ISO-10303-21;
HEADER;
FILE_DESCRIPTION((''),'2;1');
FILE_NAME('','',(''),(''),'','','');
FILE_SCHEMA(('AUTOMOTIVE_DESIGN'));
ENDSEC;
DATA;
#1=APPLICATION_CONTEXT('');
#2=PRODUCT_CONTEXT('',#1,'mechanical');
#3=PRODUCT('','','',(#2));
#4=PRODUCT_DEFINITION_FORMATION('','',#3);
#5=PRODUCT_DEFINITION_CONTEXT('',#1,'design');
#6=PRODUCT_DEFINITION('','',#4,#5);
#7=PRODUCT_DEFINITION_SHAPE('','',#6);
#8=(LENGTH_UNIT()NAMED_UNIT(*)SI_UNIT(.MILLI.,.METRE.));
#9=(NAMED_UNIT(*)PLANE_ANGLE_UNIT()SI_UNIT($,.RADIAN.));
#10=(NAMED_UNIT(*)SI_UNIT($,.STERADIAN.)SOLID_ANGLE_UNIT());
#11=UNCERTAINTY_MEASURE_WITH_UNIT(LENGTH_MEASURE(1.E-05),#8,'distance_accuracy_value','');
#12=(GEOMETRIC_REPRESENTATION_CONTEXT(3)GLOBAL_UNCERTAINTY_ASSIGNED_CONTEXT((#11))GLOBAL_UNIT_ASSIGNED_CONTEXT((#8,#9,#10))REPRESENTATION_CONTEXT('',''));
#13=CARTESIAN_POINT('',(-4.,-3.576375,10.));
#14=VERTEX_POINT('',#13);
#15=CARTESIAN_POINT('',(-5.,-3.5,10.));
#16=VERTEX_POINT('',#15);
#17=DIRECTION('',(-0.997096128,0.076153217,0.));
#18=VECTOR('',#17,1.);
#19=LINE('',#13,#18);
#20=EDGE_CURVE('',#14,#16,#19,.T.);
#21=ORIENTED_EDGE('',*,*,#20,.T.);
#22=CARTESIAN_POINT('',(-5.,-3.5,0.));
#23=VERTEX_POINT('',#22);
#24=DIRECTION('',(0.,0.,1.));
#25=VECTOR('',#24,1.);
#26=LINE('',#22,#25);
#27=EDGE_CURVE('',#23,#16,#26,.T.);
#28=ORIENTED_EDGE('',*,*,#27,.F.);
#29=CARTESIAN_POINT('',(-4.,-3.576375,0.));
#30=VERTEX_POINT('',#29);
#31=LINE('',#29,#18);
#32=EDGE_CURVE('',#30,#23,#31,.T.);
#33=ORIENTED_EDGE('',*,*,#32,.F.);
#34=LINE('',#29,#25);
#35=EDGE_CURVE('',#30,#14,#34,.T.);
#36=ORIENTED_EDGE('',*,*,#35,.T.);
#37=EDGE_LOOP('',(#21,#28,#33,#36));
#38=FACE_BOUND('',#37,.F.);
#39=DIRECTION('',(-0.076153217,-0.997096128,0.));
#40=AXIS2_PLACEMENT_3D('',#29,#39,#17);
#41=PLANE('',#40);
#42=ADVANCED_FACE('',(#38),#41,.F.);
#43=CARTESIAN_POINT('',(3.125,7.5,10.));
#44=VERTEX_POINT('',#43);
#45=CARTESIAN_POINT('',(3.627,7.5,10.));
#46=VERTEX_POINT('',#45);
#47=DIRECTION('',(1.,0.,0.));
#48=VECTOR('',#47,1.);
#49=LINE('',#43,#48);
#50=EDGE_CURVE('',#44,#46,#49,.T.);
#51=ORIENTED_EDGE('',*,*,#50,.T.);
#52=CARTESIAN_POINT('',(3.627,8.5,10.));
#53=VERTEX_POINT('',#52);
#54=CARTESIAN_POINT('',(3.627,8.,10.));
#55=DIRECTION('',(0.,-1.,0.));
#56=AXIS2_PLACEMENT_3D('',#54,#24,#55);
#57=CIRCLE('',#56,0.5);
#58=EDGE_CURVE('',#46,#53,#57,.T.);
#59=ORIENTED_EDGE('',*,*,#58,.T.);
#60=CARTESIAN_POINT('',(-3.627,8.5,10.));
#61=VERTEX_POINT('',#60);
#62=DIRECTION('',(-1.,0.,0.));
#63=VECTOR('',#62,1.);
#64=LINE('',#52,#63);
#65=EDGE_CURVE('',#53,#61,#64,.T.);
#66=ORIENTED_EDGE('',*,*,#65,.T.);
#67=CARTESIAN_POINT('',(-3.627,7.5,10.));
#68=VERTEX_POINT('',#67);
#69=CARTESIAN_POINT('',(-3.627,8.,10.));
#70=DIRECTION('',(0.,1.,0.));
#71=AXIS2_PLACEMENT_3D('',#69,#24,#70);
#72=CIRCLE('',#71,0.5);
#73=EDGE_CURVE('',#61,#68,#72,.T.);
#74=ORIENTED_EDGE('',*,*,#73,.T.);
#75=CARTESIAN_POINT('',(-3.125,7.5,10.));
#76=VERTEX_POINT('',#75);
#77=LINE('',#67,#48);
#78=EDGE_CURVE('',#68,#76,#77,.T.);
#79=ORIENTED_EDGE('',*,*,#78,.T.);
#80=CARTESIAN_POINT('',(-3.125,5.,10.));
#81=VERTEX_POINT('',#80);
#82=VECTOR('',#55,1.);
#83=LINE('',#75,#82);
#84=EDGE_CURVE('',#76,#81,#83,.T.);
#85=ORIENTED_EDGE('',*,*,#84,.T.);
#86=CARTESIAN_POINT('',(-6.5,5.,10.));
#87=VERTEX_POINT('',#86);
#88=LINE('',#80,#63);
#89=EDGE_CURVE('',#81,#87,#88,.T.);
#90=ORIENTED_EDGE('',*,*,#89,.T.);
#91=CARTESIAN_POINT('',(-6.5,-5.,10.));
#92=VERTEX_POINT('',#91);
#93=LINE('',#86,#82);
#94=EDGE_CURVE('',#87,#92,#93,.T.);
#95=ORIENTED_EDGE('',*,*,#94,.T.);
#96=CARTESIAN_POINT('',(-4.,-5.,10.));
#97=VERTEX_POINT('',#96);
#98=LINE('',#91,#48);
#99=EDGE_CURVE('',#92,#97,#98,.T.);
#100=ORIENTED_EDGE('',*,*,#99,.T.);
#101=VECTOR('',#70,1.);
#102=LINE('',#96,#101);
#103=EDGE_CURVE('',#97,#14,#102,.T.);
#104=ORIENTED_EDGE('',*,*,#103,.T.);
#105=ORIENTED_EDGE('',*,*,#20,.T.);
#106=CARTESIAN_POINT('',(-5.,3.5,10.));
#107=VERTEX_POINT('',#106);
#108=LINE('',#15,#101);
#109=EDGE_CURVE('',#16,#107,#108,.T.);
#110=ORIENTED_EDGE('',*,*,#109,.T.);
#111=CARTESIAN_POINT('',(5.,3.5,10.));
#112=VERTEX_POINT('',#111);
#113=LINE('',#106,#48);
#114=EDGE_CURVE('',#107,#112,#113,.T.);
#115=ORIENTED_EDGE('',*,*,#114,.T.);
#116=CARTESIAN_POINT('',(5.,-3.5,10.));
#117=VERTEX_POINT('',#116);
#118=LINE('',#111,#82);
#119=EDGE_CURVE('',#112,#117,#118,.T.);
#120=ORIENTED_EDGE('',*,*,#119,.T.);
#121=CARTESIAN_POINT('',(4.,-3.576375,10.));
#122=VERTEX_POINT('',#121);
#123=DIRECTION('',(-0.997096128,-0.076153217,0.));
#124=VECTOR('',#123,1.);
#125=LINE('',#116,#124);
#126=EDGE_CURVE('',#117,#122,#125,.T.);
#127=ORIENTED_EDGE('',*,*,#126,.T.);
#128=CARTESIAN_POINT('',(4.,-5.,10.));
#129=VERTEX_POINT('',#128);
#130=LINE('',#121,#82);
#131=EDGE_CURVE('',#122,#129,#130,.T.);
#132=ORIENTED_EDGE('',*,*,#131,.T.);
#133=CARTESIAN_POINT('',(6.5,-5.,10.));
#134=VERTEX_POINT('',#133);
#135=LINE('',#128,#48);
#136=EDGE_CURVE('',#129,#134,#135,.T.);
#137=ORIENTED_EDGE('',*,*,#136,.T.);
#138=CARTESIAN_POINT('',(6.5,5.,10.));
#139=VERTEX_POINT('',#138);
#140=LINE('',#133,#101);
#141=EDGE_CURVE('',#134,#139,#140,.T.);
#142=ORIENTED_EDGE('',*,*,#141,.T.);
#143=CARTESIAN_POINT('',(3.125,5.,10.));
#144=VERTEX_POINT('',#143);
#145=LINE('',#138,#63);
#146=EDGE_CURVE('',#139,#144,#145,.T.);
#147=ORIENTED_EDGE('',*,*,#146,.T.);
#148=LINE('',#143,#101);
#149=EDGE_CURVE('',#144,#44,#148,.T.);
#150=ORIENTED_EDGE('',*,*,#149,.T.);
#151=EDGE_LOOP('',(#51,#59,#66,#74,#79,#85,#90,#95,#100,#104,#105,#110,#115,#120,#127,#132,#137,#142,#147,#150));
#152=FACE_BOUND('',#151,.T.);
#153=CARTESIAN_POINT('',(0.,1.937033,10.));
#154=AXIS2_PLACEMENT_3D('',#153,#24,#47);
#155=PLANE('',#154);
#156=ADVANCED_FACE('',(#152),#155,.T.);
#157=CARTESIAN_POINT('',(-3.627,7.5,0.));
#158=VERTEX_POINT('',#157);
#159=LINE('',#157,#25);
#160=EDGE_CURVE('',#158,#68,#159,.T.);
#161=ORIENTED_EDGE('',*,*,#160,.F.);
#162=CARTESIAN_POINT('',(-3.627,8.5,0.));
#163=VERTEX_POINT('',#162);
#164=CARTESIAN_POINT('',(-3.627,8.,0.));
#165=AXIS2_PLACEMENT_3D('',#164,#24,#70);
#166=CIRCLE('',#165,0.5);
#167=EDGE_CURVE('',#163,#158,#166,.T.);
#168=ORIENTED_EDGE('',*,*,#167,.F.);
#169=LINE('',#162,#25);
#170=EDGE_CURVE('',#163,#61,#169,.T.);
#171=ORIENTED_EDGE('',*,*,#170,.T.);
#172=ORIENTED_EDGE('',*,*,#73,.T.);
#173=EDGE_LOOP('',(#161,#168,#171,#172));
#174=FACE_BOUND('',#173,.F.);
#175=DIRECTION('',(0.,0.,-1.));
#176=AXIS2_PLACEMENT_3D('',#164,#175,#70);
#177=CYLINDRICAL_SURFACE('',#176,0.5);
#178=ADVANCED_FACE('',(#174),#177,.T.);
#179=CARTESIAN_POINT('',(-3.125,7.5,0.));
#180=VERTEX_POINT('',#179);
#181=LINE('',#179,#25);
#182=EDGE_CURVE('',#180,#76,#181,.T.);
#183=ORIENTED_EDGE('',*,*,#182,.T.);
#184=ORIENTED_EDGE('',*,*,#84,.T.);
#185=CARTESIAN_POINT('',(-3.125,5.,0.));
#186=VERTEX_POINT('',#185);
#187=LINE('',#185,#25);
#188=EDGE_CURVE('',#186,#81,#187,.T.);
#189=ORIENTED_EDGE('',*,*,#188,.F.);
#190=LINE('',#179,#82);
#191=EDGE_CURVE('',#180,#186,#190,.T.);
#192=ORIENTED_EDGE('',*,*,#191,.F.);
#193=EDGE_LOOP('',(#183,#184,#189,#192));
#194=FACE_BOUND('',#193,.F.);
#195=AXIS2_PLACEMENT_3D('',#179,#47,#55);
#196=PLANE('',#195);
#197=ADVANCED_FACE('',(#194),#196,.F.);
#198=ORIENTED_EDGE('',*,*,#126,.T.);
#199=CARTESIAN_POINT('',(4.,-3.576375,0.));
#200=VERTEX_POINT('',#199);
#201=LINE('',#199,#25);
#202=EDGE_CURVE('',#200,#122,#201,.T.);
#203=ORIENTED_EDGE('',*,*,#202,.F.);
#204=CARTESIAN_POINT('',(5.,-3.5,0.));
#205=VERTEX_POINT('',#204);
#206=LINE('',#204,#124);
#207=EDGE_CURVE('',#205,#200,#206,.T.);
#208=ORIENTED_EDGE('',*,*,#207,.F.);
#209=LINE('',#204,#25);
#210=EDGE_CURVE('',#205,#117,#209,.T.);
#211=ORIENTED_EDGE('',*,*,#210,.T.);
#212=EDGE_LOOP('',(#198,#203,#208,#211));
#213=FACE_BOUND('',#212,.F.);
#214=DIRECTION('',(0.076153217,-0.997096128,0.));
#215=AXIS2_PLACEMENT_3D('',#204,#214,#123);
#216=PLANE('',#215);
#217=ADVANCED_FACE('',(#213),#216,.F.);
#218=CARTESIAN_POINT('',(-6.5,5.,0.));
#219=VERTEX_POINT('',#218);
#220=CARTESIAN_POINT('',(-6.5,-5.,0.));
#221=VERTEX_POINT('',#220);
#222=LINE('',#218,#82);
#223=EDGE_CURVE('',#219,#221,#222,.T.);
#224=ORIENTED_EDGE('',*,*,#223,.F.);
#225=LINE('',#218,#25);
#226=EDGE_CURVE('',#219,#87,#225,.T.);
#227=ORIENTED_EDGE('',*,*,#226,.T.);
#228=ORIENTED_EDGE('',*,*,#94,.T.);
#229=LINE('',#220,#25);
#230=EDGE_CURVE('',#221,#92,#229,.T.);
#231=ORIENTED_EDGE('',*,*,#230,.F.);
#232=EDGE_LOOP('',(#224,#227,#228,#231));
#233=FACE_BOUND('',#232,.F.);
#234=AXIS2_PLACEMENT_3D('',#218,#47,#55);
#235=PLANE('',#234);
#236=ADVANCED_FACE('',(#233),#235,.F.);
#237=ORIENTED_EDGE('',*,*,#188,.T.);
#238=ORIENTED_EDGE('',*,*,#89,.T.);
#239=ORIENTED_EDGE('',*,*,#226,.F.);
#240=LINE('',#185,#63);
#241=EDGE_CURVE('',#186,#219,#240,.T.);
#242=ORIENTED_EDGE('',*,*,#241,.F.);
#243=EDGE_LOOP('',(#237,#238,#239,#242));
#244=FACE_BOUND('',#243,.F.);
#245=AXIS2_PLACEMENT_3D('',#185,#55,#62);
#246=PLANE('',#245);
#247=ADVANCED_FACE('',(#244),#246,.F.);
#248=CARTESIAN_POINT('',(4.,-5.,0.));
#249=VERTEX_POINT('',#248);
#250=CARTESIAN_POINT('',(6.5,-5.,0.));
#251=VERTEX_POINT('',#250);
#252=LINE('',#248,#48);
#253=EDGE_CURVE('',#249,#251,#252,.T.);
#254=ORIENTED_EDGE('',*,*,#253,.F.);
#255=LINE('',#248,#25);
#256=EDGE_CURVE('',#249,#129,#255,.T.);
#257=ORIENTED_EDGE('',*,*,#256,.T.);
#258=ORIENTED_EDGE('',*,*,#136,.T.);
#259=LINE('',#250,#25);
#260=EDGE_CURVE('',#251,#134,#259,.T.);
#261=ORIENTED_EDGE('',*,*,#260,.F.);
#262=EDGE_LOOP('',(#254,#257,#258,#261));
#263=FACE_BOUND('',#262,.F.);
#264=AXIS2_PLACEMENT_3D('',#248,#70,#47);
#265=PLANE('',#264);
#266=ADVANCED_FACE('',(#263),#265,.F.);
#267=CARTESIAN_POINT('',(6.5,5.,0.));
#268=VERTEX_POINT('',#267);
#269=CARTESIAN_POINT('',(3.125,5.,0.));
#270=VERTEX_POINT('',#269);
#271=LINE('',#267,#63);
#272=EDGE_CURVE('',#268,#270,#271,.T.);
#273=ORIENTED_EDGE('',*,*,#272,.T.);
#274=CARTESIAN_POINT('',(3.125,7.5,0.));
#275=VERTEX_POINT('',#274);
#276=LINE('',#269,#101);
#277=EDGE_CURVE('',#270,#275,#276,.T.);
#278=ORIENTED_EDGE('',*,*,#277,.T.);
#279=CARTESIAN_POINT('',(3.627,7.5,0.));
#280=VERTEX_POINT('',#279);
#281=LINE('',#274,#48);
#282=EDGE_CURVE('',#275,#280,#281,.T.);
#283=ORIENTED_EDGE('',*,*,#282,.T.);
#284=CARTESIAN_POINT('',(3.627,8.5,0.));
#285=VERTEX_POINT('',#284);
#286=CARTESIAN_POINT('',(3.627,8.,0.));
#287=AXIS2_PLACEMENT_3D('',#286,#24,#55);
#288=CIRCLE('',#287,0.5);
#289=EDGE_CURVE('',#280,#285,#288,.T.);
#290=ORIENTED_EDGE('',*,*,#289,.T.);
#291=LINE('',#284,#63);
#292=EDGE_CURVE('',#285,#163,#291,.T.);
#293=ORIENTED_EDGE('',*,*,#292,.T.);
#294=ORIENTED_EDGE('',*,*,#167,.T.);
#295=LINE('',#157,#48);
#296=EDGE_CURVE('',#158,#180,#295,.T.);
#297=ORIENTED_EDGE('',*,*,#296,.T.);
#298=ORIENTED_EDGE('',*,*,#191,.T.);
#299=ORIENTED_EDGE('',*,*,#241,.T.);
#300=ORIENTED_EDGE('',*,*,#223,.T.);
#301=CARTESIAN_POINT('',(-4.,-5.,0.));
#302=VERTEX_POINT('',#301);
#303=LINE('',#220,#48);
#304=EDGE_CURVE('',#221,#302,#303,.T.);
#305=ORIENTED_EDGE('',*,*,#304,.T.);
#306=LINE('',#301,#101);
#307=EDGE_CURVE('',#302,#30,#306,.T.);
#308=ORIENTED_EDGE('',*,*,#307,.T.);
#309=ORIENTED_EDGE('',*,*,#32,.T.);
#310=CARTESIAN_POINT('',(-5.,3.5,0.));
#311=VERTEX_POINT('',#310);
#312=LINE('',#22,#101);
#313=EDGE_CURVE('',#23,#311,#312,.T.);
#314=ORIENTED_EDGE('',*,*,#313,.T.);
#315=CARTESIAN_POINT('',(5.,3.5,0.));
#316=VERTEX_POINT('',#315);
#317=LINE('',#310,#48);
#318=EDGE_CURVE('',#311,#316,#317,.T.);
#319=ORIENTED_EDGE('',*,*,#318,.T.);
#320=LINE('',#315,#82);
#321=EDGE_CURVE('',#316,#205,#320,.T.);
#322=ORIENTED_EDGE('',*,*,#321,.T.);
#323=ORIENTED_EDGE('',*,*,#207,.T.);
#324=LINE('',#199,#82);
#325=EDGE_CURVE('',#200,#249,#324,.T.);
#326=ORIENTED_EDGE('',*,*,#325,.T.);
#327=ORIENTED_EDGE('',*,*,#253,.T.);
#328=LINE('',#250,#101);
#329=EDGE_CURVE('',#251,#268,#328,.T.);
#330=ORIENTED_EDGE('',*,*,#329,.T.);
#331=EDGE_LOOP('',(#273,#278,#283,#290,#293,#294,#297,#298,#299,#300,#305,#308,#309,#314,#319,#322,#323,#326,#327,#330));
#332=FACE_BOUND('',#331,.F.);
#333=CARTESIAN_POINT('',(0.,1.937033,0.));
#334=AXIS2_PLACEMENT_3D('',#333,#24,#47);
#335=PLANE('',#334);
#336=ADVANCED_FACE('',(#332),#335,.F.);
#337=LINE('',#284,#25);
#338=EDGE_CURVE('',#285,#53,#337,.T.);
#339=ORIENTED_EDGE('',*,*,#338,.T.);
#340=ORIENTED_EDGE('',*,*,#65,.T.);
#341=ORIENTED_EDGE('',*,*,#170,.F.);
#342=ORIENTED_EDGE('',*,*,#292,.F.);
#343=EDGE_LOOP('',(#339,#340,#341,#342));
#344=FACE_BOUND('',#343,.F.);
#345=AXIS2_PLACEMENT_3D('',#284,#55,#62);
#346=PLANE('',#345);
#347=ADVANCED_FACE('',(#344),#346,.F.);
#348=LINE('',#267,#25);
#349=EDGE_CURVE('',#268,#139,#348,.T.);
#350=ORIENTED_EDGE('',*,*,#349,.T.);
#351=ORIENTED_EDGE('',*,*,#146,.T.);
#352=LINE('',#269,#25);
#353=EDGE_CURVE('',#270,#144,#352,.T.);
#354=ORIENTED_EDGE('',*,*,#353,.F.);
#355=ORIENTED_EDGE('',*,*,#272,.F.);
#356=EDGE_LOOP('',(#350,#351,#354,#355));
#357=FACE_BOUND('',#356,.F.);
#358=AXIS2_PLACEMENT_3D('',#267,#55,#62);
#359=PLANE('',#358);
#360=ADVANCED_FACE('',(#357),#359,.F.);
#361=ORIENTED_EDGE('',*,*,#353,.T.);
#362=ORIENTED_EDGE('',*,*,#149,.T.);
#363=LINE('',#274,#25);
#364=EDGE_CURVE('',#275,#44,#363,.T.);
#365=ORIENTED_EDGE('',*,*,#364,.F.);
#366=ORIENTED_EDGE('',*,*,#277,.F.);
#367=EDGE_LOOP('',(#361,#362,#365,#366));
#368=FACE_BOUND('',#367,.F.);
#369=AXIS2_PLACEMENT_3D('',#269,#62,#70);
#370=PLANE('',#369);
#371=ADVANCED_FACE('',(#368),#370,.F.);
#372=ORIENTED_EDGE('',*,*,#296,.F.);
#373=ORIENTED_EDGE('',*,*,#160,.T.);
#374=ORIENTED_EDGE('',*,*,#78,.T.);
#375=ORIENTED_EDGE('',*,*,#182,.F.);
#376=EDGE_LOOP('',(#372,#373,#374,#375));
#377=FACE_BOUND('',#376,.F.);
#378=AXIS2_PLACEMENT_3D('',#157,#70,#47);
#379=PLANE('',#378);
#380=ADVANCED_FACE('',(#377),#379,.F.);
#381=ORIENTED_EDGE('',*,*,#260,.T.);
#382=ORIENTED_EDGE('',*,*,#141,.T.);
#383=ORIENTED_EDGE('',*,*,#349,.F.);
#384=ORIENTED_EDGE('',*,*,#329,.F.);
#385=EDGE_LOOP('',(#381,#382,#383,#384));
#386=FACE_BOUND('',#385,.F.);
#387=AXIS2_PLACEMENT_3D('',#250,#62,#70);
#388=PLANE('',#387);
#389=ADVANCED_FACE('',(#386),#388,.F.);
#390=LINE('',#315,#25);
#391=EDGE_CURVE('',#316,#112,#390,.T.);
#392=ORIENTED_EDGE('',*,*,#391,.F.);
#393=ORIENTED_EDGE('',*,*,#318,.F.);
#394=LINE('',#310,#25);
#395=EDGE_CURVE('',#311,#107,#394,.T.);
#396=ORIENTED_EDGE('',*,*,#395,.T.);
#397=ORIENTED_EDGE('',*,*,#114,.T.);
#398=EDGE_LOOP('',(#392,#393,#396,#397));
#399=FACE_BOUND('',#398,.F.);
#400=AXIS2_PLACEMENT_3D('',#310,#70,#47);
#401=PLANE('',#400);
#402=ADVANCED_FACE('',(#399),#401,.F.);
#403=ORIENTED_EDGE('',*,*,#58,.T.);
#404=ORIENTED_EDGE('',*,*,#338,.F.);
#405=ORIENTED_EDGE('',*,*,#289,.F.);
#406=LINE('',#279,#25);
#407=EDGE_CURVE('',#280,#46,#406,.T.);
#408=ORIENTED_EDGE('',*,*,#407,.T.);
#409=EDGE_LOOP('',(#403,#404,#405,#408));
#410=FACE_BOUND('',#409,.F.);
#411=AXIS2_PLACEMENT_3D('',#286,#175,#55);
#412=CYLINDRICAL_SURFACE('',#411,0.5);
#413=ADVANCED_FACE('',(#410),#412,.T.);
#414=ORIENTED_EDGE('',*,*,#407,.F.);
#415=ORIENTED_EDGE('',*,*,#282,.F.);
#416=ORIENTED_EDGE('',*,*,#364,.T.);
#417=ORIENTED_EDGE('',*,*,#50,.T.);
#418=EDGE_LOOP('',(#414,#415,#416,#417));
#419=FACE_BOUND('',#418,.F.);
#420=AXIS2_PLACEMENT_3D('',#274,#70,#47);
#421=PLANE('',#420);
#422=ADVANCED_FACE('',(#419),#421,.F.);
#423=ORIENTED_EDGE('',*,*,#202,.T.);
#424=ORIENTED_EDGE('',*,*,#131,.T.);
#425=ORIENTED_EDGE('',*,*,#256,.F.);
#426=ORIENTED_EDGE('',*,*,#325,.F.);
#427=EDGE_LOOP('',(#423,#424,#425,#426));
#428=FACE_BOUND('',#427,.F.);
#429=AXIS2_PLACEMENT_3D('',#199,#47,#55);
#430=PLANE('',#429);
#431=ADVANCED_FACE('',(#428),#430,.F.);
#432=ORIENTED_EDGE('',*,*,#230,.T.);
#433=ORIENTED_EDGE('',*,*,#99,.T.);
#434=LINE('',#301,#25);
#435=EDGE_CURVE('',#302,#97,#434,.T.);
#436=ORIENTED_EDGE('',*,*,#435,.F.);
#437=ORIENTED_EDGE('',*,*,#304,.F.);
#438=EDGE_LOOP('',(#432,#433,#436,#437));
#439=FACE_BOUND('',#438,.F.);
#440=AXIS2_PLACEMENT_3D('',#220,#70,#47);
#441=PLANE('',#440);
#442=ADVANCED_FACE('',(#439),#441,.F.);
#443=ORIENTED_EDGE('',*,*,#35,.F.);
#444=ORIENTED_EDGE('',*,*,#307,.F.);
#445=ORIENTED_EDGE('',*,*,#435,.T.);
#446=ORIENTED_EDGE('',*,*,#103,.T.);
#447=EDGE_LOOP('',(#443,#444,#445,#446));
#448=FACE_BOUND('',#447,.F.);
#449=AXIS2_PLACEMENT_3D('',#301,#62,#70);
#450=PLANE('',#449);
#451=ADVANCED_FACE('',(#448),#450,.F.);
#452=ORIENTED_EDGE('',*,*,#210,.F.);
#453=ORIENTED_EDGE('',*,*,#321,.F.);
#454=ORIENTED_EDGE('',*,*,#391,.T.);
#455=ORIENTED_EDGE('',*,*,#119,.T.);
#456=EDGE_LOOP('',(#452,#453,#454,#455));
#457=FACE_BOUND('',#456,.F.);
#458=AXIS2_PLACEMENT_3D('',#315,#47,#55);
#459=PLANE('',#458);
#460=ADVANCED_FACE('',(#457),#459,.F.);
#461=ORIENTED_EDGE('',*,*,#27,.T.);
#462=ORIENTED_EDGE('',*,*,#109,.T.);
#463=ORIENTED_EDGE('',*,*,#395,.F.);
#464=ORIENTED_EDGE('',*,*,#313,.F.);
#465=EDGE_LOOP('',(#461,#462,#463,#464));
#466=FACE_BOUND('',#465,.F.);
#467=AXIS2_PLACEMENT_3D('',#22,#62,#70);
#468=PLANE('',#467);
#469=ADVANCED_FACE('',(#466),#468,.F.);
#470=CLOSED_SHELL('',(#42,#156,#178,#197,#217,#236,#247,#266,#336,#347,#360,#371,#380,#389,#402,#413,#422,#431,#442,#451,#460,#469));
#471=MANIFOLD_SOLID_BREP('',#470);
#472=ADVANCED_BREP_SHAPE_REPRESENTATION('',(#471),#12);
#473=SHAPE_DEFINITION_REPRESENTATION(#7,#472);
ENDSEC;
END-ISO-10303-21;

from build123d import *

# Parameters (mm, degrees)
F1_DEPTH = 10


with BuildPart() as f1:
    # F0 (on Top) → F1 (new body)
    with BuildSketch(Plane.XY):
        with BuildLine():
            Line((-6.5, -5), (-4, -5))
            Line((-4, -5), (-4, -3.576375))
            Line((-4, -3.576375), (-5, -3.5))
            Line((-5, -3.5), (-5, 3.5))
            Line((-5, 3.5), (5, 3.5))
            Line((5, 3.5), (5, -3.5))
            Line((5, -3.5), (4, -3.576375))
            Line((4, -3.576375), (4, -5))
            Line((4, -5), (6.5, -5))
            Line((6.5, -5), (6.5, 5))
            Line((6.5, 5), (3.125, 5))
            Line((3.125, 5), (3.125, 7.5))
            Line((3.125, 7.5), (3.627, 7.5))
            ThreePointArc((3.627, 7.5), (4.127, 8), (3.627, 8.5))
            Line((3.627, 8.5), (-3.627, 8.5))
            ThreePointArc((-3.627, 8.5), (-4.127, 8), (-3.627, 7.5))
            Line((-3.627, 7.5), (-3.125, 7.5))
            Line((-3.125, 7.5), (-3.125, 5))
            Line((-3.125, 5), (-6.5, 5))
            Line((-6.5, 5), (-6.5, -5))
        make_face()
    extrude(amount=F1_DEPTH)


solid = f1.part
